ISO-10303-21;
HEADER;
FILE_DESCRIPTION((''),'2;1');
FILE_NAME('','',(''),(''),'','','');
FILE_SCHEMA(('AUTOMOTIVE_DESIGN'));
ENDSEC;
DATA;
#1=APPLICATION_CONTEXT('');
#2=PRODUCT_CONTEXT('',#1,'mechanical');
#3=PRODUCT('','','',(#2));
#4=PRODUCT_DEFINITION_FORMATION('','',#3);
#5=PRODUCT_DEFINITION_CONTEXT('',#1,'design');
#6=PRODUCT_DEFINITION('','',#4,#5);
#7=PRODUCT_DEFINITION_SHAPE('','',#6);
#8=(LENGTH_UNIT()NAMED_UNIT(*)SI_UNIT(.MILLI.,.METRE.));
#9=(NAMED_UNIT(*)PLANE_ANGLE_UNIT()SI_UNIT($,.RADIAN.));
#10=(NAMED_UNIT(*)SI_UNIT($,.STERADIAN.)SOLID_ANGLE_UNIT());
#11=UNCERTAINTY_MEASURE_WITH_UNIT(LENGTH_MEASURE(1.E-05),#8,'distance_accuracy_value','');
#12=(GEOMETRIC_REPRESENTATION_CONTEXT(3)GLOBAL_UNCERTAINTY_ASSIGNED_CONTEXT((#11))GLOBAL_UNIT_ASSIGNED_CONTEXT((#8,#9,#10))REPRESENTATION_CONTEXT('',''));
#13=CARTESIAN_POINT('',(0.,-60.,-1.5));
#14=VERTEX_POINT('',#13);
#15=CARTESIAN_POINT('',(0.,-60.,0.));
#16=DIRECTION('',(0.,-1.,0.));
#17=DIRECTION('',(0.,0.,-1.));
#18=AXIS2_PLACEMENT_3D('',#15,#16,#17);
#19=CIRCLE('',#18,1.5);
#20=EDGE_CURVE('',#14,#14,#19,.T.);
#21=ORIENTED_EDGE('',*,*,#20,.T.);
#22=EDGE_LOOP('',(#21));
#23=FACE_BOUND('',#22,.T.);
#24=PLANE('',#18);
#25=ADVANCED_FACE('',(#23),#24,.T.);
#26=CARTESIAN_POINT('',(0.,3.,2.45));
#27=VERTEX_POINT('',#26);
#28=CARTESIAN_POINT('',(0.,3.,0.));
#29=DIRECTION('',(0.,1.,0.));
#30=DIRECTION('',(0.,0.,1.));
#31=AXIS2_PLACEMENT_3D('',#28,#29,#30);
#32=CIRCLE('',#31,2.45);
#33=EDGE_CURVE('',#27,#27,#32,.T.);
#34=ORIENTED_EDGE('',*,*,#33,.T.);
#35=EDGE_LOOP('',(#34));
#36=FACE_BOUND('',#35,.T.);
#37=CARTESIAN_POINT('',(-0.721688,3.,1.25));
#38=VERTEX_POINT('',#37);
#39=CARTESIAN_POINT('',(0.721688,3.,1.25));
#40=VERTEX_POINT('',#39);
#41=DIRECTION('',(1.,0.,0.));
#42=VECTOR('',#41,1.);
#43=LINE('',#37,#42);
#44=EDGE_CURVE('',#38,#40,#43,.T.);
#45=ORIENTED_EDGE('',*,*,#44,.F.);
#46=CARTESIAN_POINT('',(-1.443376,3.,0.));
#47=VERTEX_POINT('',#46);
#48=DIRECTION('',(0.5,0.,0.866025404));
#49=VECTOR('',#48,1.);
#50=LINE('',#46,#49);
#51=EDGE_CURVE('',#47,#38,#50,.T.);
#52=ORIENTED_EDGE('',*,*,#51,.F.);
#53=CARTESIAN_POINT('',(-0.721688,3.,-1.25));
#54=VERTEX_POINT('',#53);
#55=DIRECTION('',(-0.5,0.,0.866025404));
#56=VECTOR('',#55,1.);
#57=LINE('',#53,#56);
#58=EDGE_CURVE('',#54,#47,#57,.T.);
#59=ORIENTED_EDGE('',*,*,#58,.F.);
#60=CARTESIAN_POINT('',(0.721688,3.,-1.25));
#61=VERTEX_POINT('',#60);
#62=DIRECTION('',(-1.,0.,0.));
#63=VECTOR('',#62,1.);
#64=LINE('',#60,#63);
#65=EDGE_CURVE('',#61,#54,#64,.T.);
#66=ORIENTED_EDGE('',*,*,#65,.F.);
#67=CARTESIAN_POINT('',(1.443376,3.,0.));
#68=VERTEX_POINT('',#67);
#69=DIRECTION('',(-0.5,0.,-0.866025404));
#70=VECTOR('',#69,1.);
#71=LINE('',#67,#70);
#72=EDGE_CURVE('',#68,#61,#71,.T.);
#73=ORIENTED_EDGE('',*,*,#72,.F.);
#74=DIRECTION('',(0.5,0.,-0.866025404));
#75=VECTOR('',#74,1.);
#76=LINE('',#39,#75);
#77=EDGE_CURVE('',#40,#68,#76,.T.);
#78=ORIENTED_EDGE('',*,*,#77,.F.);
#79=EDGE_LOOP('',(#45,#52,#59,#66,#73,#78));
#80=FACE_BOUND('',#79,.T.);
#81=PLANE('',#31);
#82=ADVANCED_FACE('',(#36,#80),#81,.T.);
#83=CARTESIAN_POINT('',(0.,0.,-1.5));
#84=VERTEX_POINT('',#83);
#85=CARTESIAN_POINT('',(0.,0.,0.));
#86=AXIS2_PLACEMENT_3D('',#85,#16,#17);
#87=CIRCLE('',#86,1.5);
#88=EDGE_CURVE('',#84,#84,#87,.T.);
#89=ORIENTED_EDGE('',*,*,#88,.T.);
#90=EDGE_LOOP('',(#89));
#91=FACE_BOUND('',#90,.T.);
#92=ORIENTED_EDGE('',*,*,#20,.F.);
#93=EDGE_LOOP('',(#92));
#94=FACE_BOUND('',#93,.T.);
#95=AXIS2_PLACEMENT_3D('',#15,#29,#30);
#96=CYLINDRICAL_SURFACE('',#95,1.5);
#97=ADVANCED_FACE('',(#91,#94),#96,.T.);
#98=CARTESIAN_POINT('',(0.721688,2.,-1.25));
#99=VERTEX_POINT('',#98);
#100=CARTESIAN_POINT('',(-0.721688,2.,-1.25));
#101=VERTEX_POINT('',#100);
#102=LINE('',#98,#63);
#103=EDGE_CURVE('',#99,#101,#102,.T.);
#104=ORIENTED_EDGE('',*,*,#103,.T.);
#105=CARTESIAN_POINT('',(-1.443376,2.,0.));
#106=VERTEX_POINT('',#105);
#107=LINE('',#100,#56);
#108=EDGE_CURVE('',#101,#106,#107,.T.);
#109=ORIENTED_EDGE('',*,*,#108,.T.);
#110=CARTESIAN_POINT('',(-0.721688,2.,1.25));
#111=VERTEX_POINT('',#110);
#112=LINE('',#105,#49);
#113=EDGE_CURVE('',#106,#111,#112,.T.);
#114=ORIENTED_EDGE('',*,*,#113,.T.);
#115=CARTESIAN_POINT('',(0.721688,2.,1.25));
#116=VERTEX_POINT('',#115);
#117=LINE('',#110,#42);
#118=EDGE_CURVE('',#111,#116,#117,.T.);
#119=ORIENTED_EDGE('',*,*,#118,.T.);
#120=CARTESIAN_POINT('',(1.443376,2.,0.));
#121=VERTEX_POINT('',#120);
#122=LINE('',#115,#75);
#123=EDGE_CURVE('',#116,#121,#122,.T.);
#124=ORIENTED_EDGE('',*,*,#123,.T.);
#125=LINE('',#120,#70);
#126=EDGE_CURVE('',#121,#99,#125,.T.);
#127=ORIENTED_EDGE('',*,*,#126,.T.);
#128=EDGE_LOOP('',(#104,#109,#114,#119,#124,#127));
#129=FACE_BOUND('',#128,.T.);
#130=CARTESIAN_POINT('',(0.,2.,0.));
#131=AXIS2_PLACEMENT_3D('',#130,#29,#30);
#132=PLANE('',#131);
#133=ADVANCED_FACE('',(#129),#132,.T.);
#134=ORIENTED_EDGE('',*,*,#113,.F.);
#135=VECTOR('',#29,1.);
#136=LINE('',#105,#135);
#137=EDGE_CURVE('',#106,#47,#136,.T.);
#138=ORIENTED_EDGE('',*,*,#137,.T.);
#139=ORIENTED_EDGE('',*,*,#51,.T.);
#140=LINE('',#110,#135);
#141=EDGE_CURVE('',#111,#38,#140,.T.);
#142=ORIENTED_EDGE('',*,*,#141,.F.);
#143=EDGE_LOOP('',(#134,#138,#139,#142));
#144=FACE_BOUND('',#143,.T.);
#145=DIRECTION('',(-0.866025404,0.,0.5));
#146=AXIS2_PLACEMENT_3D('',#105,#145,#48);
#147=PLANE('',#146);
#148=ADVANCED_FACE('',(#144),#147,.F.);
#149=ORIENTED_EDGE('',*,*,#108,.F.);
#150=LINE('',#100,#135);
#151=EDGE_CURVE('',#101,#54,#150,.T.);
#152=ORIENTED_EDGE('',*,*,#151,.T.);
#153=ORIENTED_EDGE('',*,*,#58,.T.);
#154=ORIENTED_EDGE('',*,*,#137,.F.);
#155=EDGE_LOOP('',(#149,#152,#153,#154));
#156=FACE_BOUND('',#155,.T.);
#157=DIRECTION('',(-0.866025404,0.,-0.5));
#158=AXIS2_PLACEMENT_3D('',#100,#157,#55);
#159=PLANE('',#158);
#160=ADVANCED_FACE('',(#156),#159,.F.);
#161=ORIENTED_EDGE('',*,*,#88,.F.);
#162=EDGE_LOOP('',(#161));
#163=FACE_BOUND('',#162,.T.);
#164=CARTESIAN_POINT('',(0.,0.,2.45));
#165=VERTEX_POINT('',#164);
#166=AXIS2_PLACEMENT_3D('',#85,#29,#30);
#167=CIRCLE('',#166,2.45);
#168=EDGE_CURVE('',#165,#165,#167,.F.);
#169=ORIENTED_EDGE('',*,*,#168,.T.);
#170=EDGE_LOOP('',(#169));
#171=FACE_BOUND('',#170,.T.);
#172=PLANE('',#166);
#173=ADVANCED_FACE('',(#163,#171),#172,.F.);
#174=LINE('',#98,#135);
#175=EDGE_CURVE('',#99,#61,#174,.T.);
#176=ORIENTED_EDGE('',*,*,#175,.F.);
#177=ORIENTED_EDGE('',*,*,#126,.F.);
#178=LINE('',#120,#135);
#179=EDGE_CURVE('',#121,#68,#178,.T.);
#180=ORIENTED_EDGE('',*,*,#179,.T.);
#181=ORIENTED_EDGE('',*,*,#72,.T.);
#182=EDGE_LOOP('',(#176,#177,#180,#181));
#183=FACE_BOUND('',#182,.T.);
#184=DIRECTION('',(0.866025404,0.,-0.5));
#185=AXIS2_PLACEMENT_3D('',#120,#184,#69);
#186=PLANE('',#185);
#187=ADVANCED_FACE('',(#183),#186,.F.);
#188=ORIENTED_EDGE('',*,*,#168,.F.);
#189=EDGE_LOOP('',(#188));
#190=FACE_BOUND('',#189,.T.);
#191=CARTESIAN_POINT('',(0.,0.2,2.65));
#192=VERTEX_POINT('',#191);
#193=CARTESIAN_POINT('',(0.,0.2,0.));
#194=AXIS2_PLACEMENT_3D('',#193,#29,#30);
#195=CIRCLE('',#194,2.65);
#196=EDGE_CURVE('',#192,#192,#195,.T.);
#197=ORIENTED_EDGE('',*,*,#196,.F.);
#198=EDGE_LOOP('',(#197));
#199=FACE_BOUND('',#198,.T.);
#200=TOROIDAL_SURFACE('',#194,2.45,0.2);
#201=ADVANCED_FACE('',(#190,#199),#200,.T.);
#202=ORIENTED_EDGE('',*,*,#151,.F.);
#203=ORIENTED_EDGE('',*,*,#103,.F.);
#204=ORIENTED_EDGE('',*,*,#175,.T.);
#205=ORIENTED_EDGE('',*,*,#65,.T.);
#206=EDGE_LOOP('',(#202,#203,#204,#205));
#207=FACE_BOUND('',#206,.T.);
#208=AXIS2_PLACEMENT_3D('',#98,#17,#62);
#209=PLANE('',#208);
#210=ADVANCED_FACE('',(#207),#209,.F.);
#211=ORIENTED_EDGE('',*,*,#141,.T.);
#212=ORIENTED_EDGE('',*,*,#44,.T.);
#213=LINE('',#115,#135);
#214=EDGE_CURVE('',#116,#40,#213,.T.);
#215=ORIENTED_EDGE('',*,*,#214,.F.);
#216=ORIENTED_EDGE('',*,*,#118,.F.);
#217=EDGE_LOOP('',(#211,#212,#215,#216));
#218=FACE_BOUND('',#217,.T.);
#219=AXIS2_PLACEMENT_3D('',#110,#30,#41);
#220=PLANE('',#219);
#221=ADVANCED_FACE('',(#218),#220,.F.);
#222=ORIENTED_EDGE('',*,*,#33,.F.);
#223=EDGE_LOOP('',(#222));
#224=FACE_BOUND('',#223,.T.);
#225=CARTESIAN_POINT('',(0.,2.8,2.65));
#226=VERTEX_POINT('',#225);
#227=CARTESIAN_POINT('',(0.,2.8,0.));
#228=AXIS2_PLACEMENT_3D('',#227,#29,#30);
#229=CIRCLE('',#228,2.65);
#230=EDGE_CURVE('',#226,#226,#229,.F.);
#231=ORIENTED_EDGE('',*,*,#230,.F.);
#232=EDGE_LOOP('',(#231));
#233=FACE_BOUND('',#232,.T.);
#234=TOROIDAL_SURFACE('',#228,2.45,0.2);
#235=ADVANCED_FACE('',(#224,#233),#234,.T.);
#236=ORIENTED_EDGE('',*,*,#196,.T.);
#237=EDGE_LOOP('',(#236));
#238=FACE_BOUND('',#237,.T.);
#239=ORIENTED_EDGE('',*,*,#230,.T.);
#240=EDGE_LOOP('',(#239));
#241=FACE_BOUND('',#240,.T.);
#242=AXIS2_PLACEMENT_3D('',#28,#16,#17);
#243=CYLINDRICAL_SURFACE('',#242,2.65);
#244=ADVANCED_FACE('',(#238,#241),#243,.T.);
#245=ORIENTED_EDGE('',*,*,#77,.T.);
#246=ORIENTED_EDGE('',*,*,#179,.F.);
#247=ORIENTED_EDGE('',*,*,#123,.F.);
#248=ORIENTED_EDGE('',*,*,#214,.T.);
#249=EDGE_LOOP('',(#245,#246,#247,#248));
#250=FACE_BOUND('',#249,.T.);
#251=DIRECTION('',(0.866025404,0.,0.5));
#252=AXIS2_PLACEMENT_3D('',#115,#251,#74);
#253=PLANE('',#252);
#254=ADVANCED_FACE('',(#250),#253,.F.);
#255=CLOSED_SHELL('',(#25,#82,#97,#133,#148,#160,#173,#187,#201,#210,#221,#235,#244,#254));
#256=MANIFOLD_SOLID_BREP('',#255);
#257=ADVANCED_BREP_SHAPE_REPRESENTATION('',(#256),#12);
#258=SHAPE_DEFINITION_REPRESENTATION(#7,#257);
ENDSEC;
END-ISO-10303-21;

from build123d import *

# Parameters (mm, degrees)
SKETCH1_R           = 2.65
BOSS_EXTRUDE1_DEPTH = 3
CUT_EXTRUDE1_DEPTH  = 1
SKETCH3_R           = 1.5
BOSS_EXTRUDE2_DEPTH = 60
FILLET1_R           = 0.2


with BuildPart() as part:
    # Sketch1 → Boss-Extrude1 (new body)
    with BuildSketch(Plane(origin=(0, 0, 0), x_dir=(1, 0, 0), z_dir=(0, 1, 0))):
        with Locations(Location((0, 0, 0), (0, 0, 270))):
            Circle(SKETCH1_R)
    extrude(amount=BOSS_EXTRUDE1_DEPTH)

    # Sketch2 → Cut-Extrude1 (cut)
    with BuildSketch(Plane(origin=(0, 3, 0), x_dir=(1, 0, 0), z_dir=(0, 1, 0))):
        Polygon((1.443375673, 0), (0.721687836, 1.25), (-0.721687836, 1.25), (-1.443375673, 0), (-0.721687836, -1.25), (0.721687836, -1.25), align=None)
    extrude(amount=-CUT_EXTRUDE1_DEPTH, mode=Mode.SUBTRACT)

    # Sketch3 → Boss-Extrude2 (add)
    with BuildSketch(Plane.XZ):
        with Locations(Location((0, 0, 0), (0, 0, 270))):
            Circle(SKETCH3_R)
    extrude(amount=BOSS_EXTRUDE2_DEPTH)

    # Fillet1
    fillet1_edges = [part.edges().sort_by_distance(p)[0] for p in [
        (0, 0, -2.65),
        (0, 3, -2.65),
    ]]
    fillet(fillet1_edges, radius=FILLET1_R)


solid = part.part
